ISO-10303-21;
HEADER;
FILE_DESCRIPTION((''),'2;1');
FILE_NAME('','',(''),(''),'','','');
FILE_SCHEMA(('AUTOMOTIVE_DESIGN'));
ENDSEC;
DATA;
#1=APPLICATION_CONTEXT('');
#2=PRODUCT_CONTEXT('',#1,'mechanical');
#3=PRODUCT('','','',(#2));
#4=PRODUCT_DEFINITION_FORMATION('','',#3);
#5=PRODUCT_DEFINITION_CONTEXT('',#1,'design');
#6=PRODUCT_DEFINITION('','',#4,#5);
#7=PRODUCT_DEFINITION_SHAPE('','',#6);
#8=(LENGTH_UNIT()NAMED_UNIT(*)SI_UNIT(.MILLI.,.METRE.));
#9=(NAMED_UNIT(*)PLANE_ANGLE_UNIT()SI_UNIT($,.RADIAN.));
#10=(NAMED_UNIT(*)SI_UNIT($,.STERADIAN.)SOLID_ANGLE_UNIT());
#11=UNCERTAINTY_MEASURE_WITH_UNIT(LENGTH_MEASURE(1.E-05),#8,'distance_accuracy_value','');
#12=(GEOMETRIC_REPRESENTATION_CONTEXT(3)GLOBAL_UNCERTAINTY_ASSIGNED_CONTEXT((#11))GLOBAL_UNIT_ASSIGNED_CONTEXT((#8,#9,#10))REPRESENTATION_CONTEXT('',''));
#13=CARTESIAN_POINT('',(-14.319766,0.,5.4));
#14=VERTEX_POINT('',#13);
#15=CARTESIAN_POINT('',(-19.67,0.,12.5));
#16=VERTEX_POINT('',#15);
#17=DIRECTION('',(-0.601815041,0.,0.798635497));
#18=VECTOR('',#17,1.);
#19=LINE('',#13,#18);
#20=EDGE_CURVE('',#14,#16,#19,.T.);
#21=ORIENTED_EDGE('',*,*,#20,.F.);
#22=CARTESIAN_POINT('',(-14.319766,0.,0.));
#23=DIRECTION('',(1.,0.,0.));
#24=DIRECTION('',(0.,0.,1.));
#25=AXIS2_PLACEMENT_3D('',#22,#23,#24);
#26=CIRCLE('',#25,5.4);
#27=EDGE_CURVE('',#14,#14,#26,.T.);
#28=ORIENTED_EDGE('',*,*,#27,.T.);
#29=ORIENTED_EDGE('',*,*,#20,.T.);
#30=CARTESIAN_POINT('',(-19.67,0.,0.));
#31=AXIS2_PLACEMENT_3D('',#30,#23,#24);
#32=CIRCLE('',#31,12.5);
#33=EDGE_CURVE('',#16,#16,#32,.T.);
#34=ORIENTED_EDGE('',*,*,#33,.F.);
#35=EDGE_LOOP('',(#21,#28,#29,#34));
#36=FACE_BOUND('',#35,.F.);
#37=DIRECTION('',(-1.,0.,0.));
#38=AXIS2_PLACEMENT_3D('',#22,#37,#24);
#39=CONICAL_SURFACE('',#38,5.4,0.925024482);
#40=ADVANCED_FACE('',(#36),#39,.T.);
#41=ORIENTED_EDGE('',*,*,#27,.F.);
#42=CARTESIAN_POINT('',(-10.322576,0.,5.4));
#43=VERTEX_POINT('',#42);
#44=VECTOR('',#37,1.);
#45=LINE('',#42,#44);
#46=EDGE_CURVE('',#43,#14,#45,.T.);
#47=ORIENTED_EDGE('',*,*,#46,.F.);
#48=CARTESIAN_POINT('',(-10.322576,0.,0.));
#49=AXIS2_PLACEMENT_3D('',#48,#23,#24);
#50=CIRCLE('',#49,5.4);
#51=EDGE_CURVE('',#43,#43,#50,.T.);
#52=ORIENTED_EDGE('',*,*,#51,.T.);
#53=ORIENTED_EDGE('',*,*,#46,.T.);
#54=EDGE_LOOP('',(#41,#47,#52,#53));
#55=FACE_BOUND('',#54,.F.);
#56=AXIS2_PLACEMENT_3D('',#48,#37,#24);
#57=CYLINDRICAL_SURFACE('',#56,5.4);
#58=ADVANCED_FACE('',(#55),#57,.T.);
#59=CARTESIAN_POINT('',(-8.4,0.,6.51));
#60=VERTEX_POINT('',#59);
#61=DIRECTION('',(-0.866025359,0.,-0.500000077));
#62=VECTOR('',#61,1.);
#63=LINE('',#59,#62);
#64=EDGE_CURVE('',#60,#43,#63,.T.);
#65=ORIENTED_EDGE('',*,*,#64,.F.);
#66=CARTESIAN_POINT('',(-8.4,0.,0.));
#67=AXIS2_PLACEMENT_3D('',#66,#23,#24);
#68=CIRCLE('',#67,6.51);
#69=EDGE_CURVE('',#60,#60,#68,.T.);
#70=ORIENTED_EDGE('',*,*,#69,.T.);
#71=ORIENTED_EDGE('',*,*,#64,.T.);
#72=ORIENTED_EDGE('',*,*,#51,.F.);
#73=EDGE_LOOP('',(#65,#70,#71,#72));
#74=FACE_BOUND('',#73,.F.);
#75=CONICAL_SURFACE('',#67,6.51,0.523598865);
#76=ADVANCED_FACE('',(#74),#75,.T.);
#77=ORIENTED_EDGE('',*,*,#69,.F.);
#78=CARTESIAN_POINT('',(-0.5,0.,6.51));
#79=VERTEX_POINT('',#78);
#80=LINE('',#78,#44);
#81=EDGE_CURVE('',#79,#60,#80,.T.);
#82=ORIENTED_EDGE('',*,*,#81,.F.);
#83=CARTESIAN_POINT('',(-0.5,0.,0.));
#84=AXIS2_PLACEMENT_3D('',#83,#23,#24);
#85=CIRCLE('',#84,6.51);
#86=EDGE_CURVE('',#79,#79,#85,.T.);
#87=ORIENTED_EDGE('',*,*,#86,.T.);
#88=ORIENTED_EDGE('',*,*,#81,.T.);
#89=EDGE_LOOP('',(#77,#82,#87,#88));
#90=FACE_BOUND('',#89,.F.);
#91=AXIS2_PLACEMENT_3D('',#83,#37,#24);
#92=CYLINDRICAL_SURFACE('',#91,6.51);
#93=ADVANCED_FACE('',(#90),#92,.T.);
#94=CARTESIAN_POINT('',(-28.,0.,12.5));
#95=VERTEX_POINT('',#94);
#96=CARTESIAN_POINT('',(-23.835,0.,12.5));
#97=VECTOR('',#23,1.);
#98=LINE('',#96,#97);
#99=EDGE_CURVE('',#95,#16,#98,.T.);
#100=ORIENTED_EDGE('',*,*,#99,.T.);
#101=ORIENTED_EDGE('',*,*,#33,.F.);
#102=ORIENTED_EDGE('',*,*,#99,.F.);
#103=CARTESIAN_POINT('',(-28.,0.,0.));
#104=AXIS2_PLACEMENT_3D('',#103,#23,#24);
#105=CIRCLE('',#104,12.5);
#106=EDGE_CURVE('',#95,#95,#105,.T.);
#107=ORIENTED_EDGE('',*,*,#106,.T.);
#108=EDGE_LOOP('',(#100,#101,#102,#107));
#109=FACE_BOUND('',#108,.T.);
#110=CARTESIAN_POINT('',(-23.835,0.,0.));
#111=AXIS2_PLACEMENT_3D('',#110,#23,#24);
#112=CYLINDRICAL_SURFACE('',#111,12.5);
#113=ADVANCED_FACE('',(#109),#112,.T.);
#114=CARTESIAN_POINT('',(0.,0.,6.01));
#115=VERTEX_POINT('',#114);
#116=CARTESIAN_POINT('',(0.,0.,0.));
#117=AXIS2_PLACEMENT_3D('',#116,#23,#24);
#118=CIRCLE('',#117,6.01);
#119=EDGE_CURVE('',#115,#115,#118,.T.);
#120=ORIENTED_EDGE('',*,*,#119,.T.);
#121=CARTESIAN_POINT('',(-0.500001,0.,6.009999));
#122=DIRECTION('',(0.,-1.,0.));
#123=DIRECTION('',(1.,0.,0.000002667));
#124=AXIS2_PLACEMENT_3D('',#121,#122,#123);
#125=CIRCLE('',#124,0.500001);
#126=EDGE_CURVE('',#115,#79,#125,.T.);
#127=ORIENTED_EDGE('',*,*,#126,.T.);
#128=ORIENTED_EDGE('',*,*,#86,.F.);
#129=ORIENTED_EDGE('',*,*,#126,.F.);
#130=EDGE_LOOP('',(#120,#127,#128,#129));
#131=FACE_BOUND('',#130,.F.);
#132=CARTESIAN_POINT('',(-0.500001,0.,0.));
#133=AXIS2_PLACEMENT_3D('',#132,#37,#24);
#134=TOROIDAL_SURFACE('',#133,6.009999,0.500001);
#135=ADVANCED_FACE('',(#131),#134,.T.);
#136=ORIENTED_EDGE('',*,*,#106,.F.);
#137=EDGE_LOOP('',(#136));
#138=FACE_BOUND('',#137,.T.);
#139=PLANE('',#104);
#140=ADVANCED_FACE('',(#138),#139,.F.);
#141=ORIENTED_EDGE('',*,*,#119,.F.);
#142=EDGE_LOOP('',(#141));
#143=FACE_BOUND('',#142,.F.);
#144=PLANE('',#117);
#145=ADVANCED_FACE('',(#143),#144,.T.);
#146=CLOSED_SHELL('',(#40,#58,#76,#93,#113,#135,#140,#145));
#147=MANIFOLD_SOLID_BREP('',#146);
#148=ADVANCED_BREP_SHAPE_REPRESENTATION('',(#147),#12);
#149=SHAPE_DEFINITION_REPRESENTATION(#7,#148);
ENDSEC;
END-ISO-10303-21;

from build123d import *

# Parameters (mm, degrees)
F0_W = 8.33
F0_H = 12.5


with BuildPart() as f1:
    # F0 (on Front) → F1 (revolve)
    with BuildSketch(Plane.XZ):
        with BuildLine():
            Line((-8.4, 0), (0, 0))
            Line((0, 0), (0, 6.01))
            ThreePointArc((0, 6.01), (-0.146447, 6.363553), (-0.5, 6.51))
            Line((-0.5, 6.51), (-8.4, 6.51))
            Line((-8.4, 6.51), (-8.4, 0))
        make_face()
        Polygon((-10.322576, 0), (-8.4, 0), (-8.4, 6.51), (-10.322576, 5.4), align=None)
        Polygon((-19.67, 0), (-10.322576, 0), (-10.322576, 5.4), (-14.319766, 5.4), (-19.67, 12.5), align=None)
        with Locations((-23.835, 6.25)):
            Rectangle(F0_W, F0_H)
    revolve(axis=Axis((-14, 0, 0), (1, 0, 0)))


solid = f1.part
